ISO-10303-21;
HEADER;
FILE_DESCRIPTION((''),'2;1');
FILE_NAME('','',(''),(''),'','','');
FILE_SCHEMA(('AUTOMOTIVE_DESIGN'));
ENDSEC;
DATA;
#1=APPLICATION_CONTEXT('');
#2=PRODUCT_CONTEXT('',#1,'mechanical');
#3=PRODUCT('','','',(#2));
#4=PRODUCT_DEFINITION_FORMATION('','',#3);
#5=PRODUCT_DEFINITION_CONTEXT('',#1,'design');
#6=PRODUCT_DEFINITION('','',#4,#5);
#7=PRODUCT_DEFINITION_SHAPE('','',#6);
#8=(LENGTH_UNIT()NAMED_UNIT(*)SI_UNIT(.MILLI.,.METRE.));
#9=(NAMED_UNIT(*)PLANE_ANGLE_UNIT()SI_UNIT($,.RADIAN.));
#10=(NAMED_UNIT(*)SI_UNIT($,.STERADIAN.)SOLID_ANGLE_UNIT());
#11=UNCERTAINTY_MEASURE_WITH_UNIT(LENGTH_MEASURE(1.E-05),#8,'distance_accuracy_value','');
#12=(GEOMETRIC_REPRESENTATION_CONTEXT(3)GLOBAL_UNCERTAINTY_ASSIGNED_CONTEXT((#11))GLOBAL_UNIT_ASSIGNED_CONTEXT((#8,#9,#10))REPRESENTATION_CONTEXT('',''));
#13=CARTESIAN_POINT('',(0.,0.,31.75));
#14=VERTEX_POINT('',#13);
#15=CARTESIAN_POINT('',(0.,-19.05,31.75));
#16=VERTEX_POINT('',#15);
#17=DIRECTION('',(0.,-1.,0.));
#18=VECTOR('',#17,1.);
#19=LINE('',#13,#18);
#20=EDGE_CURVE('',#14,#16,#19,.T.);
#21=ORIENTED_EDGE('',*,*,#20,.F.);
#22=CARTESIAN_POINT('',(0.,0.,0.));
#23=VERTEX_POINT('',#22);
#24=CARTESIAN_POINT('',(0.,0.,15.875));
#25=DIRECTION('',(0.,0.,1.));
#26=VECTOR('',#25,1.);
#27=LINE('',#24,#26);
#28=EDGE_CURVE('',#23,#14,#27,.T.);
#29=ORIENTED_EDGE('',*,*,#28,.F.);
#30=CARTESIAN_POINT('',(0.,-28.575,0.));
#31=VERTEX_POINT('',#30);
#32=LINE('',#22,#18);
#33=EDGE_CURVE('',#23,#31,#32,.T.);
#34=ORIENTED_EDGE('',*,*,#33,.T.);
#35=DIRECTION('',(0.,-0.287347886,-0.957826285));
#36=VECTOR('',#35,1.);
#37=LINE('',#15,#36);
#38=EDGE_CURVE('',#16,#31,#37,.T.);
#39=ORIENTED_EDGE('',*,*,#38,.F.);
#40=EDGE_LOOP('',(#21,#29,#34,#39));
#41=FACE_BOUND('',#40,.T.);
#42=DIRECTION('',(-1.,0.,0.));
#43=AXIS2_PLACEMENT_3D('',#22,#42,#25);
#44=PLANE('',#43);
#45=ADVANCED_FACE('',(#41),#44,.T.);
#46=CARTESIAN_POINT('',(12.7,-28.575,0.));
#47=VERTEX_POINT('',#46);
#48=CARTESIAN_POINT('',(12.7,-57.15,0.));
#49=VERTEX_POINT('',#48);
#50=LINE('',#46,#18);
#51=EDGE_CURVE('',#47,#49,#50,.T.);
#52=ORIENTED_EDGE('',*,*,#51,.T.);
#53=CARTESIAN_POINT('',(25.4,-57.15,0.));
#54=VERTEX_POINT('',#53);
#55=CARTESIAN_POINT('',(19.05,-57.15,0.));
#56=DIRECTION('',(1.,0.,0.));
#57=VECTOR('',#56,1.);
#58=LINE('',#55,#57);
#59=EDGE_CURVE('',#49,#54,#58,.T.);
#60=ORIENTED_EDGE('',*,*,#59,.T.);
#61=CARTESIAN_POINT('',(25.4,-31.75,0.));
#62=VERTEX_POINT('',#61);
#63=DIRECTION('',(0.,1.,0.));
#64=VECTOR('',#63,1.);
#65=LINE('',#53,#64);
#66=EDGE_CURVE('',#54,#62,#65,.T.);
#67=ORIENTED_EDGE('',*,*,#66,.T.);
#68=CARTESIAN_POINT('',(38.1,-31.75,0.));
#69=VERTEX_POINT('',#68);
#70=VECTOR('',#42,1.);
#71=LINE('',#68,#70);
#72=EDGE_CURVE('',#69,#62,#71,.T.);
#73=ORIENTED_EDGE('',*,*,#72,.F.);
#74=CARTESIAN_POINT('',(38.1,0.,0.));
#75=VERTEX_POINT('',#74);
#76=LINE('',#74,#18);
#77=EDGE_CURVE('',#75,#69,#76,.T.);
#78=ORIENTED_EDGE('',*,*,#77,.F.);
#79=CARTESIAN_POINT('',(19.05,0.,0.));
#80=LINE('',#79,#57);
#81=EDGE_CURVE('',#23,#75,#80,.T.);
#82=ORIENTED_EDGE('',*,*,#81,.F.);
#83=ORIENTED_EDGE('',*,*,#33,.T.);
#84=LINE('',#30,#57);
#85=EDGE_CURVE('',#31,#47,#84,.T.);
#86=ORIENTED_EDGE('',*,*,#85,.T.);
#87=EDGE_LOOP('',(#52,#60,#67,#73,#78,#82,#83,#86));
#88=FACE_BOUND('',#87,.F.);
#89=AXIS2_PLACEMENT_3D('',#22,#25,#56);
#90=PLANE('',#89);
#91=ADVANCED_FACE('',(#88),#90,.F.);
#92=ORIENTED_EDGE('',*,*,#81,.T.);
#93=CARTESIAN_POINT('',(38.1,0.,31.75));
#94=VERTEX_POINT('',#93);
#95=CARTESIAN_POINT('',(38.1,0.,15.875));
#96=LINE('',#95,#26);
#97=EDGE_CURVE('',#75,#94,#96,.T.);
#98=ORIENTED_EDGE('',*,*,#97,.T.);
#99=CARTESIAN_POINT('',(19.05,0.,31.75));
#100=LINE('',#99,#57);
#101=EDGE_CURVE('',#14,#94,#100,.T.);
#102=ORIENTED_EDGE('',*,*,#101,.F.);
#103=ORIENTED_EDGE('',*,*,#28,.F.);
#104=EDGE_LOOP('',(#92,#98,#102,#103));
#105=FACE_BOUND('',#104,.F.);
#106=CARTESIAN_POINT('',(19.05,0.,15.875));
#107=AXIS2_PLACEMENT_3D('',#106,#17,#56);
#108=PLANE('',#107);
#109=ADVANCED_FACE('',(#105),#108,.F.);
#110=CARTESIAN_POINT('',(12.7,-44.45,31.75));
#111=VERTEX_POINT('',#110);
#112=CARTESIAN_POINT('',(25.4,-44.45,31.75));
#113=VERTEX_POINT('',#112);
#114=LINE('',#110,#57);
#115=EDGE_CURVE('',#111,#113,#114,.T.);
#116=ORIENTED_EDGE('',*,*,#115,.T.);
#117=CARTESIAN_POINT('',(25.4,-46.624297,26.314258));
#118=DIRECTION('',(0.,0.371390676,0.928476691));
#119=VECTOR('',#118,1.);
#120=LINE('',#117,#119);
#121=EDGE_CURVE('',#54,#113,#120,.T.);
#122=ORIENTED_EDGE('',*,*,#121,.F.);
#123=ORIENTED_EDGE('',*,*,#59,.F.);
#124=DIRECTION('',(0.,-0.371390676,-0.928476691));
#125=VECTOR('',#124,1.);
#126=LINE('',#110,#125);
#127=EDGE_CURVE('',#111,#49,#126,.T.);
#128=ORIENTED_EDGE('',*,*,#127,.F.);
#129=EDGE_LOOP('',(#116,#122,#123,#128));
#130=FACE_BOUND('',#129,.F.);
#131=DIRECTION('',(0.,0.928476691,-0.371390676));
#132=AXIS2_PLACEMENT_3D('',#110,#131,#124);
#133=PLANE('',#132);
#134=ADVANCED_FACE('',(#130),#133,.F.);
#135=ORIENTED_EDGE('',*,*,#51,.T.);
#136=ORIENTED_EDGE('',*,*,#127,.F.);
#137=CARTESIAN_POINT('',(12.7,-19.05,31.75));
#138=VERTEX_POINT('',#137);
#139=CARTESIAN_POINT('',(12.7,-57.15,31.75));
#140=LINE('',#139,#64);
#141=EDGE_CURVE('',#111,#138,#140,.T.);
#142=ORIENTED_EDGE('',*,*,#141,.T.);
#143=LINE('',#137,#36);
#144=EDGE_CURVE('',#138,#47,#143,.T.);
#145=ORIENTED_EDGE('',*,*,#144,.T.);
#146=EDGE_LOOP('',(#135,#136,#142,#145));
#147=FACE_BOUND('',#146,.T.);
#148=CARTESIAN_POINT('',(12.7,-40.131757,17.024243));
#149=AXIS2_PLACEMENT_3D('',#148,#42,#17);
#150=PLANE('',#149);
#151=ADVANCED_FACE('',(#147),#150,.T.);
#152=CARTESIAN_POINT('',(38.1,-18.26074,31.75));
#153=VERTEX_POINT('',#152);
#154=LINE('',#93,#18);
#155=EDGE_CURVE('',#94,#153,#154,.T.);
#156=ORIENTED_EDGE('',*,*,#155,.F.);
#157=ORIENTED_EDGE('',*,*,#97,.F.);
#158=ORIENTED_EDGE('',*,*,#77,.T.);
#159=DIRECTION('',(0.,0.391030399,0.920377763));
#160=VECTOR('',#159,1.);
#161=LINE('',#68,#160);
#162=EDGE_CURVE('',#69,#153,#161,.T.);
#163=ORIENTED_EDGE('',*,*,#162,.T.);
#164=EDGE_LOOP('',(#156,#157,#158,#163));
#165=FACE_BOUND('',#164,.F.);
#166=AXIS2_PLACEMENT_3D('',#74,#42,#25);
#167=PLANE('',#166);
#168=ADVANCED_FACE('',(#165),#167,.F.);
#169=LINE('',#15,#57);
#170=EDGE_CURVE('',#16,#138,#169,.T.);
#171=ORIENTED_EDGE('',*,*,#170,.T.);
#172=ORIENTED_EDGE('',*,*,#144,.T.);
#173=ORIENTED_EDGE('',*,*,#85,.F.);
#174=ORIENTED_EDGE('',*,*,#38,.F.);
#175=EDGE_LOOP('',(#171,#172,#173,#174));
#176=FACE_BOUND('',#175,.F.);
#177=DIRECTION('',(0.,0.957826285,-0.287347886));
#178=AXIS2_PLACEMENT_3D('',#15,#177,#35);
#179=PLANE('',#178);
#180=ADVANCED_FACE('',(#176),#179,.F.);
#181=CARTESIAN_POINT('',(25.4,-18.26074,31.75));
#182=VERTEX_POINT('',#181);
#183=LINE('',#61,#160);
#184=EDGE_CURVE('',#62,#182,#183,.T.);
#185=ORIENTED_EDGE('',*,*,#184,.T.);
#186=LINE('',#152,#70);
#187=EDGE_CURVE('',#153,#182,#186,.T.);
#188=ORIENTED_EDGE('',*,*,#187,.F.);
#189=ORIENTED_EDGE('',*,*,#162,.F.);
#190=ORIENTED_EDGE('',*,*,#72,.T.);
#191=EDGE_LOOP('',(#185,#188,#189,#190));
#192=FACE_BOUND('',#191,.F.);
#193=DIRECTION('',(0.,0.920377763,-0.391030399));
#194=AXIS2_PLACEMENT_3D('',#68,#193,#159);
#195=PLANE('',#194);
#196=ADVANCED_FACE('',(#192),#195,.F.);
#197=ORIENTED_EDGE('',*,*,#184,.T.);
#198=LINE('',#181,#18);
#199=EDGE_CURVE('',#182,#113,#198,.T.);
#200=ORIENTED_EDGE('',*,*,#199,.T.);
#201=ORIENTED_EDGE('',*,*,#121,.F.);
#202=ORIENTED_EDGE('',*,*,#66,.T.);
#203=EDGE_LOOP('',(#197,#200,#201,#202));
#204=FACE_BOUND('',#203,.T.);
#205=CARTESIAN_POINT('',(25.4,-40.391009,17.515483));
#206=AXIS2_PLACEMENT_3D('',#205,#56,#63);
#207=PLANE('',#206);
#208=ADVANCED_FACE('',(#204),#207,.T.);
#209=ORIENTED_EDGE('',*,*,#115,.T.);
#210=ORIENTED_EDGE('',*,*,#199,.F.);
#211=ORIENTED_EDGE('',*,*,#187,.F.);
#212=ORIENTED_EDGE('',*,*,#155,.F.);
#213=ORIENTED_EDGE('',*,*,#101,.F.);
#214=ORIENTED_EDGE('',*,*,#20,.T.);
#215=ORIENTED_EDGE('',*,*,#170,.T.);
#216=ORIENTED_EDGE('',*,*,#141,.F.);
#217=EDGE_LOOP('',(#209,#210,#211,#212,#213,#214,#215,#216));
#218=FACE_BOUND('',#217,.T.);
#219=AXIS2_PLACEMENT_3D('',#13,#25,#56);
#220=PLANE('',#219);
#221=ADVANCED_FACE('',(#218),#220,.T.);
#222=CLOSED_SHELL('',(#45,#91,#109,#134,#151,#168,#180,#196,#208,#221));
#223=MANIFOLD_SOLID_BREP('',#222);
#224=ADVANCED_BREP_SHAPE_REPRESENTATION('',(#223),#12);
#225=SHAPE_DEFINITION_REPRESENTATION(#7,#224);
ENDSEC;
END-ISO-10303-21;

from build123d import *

# Parameters (mm, degrees)
F0_W     = 38.1
F0_H     = 31.75
F1_DEPTH = 57.15
F3_DEPTH = 12.7
F5_DEPTH = 12.7
F7_DEPTH = 25.4


with BuildPart() as f1:
    # F0 (on Front) → F1 (new body)
    with BuildSketch(Plane.XZ):
        with Locations((19.05, 15.875)):
            Rectangle(F0_W, F0_H)
    extrude(amount=F1_DEPTH)

    # F2 (on face) → F3 (cut)
    with BuildSketch(Plane(origin=(0, 0, 0), x_dir=(0, -1, 0), z_dir=(-1, 0, 0))):
        Polygon((57.15, 31.75), (19.05, 31.75), (28.575, 0), (57.15, 0), align=None)
    extrude(amount=-F3_DEPTH, mode=Mode.SUBTRACT)

    # F4 (on face) → F5 (cut)
    with BuildSketch(Plane.YZ.offset(38.1)):
        Polygon((-31.75, 0), (-18.2607397437, 31.75), (-57.15, 31.75), (-57.15, 0), align=None)
    extrude(amount=-F5_DEPTH, mode=Mode.SUBTRACT)

    # F6 (on face) → F7 (cut)
    with BuildSketch(Plane(origin=(12.7, 0, 0), x_dir=(0, -1, 0), z_dir=(-1, 0, 0))):
        Polygon((57.15, 0), (57.15, 31.75), (44.45, 31.75), align=None)
    extrude(amount=-F7_DEPTH, mode=Mode.SUBTRACT)


solid = f1.part
